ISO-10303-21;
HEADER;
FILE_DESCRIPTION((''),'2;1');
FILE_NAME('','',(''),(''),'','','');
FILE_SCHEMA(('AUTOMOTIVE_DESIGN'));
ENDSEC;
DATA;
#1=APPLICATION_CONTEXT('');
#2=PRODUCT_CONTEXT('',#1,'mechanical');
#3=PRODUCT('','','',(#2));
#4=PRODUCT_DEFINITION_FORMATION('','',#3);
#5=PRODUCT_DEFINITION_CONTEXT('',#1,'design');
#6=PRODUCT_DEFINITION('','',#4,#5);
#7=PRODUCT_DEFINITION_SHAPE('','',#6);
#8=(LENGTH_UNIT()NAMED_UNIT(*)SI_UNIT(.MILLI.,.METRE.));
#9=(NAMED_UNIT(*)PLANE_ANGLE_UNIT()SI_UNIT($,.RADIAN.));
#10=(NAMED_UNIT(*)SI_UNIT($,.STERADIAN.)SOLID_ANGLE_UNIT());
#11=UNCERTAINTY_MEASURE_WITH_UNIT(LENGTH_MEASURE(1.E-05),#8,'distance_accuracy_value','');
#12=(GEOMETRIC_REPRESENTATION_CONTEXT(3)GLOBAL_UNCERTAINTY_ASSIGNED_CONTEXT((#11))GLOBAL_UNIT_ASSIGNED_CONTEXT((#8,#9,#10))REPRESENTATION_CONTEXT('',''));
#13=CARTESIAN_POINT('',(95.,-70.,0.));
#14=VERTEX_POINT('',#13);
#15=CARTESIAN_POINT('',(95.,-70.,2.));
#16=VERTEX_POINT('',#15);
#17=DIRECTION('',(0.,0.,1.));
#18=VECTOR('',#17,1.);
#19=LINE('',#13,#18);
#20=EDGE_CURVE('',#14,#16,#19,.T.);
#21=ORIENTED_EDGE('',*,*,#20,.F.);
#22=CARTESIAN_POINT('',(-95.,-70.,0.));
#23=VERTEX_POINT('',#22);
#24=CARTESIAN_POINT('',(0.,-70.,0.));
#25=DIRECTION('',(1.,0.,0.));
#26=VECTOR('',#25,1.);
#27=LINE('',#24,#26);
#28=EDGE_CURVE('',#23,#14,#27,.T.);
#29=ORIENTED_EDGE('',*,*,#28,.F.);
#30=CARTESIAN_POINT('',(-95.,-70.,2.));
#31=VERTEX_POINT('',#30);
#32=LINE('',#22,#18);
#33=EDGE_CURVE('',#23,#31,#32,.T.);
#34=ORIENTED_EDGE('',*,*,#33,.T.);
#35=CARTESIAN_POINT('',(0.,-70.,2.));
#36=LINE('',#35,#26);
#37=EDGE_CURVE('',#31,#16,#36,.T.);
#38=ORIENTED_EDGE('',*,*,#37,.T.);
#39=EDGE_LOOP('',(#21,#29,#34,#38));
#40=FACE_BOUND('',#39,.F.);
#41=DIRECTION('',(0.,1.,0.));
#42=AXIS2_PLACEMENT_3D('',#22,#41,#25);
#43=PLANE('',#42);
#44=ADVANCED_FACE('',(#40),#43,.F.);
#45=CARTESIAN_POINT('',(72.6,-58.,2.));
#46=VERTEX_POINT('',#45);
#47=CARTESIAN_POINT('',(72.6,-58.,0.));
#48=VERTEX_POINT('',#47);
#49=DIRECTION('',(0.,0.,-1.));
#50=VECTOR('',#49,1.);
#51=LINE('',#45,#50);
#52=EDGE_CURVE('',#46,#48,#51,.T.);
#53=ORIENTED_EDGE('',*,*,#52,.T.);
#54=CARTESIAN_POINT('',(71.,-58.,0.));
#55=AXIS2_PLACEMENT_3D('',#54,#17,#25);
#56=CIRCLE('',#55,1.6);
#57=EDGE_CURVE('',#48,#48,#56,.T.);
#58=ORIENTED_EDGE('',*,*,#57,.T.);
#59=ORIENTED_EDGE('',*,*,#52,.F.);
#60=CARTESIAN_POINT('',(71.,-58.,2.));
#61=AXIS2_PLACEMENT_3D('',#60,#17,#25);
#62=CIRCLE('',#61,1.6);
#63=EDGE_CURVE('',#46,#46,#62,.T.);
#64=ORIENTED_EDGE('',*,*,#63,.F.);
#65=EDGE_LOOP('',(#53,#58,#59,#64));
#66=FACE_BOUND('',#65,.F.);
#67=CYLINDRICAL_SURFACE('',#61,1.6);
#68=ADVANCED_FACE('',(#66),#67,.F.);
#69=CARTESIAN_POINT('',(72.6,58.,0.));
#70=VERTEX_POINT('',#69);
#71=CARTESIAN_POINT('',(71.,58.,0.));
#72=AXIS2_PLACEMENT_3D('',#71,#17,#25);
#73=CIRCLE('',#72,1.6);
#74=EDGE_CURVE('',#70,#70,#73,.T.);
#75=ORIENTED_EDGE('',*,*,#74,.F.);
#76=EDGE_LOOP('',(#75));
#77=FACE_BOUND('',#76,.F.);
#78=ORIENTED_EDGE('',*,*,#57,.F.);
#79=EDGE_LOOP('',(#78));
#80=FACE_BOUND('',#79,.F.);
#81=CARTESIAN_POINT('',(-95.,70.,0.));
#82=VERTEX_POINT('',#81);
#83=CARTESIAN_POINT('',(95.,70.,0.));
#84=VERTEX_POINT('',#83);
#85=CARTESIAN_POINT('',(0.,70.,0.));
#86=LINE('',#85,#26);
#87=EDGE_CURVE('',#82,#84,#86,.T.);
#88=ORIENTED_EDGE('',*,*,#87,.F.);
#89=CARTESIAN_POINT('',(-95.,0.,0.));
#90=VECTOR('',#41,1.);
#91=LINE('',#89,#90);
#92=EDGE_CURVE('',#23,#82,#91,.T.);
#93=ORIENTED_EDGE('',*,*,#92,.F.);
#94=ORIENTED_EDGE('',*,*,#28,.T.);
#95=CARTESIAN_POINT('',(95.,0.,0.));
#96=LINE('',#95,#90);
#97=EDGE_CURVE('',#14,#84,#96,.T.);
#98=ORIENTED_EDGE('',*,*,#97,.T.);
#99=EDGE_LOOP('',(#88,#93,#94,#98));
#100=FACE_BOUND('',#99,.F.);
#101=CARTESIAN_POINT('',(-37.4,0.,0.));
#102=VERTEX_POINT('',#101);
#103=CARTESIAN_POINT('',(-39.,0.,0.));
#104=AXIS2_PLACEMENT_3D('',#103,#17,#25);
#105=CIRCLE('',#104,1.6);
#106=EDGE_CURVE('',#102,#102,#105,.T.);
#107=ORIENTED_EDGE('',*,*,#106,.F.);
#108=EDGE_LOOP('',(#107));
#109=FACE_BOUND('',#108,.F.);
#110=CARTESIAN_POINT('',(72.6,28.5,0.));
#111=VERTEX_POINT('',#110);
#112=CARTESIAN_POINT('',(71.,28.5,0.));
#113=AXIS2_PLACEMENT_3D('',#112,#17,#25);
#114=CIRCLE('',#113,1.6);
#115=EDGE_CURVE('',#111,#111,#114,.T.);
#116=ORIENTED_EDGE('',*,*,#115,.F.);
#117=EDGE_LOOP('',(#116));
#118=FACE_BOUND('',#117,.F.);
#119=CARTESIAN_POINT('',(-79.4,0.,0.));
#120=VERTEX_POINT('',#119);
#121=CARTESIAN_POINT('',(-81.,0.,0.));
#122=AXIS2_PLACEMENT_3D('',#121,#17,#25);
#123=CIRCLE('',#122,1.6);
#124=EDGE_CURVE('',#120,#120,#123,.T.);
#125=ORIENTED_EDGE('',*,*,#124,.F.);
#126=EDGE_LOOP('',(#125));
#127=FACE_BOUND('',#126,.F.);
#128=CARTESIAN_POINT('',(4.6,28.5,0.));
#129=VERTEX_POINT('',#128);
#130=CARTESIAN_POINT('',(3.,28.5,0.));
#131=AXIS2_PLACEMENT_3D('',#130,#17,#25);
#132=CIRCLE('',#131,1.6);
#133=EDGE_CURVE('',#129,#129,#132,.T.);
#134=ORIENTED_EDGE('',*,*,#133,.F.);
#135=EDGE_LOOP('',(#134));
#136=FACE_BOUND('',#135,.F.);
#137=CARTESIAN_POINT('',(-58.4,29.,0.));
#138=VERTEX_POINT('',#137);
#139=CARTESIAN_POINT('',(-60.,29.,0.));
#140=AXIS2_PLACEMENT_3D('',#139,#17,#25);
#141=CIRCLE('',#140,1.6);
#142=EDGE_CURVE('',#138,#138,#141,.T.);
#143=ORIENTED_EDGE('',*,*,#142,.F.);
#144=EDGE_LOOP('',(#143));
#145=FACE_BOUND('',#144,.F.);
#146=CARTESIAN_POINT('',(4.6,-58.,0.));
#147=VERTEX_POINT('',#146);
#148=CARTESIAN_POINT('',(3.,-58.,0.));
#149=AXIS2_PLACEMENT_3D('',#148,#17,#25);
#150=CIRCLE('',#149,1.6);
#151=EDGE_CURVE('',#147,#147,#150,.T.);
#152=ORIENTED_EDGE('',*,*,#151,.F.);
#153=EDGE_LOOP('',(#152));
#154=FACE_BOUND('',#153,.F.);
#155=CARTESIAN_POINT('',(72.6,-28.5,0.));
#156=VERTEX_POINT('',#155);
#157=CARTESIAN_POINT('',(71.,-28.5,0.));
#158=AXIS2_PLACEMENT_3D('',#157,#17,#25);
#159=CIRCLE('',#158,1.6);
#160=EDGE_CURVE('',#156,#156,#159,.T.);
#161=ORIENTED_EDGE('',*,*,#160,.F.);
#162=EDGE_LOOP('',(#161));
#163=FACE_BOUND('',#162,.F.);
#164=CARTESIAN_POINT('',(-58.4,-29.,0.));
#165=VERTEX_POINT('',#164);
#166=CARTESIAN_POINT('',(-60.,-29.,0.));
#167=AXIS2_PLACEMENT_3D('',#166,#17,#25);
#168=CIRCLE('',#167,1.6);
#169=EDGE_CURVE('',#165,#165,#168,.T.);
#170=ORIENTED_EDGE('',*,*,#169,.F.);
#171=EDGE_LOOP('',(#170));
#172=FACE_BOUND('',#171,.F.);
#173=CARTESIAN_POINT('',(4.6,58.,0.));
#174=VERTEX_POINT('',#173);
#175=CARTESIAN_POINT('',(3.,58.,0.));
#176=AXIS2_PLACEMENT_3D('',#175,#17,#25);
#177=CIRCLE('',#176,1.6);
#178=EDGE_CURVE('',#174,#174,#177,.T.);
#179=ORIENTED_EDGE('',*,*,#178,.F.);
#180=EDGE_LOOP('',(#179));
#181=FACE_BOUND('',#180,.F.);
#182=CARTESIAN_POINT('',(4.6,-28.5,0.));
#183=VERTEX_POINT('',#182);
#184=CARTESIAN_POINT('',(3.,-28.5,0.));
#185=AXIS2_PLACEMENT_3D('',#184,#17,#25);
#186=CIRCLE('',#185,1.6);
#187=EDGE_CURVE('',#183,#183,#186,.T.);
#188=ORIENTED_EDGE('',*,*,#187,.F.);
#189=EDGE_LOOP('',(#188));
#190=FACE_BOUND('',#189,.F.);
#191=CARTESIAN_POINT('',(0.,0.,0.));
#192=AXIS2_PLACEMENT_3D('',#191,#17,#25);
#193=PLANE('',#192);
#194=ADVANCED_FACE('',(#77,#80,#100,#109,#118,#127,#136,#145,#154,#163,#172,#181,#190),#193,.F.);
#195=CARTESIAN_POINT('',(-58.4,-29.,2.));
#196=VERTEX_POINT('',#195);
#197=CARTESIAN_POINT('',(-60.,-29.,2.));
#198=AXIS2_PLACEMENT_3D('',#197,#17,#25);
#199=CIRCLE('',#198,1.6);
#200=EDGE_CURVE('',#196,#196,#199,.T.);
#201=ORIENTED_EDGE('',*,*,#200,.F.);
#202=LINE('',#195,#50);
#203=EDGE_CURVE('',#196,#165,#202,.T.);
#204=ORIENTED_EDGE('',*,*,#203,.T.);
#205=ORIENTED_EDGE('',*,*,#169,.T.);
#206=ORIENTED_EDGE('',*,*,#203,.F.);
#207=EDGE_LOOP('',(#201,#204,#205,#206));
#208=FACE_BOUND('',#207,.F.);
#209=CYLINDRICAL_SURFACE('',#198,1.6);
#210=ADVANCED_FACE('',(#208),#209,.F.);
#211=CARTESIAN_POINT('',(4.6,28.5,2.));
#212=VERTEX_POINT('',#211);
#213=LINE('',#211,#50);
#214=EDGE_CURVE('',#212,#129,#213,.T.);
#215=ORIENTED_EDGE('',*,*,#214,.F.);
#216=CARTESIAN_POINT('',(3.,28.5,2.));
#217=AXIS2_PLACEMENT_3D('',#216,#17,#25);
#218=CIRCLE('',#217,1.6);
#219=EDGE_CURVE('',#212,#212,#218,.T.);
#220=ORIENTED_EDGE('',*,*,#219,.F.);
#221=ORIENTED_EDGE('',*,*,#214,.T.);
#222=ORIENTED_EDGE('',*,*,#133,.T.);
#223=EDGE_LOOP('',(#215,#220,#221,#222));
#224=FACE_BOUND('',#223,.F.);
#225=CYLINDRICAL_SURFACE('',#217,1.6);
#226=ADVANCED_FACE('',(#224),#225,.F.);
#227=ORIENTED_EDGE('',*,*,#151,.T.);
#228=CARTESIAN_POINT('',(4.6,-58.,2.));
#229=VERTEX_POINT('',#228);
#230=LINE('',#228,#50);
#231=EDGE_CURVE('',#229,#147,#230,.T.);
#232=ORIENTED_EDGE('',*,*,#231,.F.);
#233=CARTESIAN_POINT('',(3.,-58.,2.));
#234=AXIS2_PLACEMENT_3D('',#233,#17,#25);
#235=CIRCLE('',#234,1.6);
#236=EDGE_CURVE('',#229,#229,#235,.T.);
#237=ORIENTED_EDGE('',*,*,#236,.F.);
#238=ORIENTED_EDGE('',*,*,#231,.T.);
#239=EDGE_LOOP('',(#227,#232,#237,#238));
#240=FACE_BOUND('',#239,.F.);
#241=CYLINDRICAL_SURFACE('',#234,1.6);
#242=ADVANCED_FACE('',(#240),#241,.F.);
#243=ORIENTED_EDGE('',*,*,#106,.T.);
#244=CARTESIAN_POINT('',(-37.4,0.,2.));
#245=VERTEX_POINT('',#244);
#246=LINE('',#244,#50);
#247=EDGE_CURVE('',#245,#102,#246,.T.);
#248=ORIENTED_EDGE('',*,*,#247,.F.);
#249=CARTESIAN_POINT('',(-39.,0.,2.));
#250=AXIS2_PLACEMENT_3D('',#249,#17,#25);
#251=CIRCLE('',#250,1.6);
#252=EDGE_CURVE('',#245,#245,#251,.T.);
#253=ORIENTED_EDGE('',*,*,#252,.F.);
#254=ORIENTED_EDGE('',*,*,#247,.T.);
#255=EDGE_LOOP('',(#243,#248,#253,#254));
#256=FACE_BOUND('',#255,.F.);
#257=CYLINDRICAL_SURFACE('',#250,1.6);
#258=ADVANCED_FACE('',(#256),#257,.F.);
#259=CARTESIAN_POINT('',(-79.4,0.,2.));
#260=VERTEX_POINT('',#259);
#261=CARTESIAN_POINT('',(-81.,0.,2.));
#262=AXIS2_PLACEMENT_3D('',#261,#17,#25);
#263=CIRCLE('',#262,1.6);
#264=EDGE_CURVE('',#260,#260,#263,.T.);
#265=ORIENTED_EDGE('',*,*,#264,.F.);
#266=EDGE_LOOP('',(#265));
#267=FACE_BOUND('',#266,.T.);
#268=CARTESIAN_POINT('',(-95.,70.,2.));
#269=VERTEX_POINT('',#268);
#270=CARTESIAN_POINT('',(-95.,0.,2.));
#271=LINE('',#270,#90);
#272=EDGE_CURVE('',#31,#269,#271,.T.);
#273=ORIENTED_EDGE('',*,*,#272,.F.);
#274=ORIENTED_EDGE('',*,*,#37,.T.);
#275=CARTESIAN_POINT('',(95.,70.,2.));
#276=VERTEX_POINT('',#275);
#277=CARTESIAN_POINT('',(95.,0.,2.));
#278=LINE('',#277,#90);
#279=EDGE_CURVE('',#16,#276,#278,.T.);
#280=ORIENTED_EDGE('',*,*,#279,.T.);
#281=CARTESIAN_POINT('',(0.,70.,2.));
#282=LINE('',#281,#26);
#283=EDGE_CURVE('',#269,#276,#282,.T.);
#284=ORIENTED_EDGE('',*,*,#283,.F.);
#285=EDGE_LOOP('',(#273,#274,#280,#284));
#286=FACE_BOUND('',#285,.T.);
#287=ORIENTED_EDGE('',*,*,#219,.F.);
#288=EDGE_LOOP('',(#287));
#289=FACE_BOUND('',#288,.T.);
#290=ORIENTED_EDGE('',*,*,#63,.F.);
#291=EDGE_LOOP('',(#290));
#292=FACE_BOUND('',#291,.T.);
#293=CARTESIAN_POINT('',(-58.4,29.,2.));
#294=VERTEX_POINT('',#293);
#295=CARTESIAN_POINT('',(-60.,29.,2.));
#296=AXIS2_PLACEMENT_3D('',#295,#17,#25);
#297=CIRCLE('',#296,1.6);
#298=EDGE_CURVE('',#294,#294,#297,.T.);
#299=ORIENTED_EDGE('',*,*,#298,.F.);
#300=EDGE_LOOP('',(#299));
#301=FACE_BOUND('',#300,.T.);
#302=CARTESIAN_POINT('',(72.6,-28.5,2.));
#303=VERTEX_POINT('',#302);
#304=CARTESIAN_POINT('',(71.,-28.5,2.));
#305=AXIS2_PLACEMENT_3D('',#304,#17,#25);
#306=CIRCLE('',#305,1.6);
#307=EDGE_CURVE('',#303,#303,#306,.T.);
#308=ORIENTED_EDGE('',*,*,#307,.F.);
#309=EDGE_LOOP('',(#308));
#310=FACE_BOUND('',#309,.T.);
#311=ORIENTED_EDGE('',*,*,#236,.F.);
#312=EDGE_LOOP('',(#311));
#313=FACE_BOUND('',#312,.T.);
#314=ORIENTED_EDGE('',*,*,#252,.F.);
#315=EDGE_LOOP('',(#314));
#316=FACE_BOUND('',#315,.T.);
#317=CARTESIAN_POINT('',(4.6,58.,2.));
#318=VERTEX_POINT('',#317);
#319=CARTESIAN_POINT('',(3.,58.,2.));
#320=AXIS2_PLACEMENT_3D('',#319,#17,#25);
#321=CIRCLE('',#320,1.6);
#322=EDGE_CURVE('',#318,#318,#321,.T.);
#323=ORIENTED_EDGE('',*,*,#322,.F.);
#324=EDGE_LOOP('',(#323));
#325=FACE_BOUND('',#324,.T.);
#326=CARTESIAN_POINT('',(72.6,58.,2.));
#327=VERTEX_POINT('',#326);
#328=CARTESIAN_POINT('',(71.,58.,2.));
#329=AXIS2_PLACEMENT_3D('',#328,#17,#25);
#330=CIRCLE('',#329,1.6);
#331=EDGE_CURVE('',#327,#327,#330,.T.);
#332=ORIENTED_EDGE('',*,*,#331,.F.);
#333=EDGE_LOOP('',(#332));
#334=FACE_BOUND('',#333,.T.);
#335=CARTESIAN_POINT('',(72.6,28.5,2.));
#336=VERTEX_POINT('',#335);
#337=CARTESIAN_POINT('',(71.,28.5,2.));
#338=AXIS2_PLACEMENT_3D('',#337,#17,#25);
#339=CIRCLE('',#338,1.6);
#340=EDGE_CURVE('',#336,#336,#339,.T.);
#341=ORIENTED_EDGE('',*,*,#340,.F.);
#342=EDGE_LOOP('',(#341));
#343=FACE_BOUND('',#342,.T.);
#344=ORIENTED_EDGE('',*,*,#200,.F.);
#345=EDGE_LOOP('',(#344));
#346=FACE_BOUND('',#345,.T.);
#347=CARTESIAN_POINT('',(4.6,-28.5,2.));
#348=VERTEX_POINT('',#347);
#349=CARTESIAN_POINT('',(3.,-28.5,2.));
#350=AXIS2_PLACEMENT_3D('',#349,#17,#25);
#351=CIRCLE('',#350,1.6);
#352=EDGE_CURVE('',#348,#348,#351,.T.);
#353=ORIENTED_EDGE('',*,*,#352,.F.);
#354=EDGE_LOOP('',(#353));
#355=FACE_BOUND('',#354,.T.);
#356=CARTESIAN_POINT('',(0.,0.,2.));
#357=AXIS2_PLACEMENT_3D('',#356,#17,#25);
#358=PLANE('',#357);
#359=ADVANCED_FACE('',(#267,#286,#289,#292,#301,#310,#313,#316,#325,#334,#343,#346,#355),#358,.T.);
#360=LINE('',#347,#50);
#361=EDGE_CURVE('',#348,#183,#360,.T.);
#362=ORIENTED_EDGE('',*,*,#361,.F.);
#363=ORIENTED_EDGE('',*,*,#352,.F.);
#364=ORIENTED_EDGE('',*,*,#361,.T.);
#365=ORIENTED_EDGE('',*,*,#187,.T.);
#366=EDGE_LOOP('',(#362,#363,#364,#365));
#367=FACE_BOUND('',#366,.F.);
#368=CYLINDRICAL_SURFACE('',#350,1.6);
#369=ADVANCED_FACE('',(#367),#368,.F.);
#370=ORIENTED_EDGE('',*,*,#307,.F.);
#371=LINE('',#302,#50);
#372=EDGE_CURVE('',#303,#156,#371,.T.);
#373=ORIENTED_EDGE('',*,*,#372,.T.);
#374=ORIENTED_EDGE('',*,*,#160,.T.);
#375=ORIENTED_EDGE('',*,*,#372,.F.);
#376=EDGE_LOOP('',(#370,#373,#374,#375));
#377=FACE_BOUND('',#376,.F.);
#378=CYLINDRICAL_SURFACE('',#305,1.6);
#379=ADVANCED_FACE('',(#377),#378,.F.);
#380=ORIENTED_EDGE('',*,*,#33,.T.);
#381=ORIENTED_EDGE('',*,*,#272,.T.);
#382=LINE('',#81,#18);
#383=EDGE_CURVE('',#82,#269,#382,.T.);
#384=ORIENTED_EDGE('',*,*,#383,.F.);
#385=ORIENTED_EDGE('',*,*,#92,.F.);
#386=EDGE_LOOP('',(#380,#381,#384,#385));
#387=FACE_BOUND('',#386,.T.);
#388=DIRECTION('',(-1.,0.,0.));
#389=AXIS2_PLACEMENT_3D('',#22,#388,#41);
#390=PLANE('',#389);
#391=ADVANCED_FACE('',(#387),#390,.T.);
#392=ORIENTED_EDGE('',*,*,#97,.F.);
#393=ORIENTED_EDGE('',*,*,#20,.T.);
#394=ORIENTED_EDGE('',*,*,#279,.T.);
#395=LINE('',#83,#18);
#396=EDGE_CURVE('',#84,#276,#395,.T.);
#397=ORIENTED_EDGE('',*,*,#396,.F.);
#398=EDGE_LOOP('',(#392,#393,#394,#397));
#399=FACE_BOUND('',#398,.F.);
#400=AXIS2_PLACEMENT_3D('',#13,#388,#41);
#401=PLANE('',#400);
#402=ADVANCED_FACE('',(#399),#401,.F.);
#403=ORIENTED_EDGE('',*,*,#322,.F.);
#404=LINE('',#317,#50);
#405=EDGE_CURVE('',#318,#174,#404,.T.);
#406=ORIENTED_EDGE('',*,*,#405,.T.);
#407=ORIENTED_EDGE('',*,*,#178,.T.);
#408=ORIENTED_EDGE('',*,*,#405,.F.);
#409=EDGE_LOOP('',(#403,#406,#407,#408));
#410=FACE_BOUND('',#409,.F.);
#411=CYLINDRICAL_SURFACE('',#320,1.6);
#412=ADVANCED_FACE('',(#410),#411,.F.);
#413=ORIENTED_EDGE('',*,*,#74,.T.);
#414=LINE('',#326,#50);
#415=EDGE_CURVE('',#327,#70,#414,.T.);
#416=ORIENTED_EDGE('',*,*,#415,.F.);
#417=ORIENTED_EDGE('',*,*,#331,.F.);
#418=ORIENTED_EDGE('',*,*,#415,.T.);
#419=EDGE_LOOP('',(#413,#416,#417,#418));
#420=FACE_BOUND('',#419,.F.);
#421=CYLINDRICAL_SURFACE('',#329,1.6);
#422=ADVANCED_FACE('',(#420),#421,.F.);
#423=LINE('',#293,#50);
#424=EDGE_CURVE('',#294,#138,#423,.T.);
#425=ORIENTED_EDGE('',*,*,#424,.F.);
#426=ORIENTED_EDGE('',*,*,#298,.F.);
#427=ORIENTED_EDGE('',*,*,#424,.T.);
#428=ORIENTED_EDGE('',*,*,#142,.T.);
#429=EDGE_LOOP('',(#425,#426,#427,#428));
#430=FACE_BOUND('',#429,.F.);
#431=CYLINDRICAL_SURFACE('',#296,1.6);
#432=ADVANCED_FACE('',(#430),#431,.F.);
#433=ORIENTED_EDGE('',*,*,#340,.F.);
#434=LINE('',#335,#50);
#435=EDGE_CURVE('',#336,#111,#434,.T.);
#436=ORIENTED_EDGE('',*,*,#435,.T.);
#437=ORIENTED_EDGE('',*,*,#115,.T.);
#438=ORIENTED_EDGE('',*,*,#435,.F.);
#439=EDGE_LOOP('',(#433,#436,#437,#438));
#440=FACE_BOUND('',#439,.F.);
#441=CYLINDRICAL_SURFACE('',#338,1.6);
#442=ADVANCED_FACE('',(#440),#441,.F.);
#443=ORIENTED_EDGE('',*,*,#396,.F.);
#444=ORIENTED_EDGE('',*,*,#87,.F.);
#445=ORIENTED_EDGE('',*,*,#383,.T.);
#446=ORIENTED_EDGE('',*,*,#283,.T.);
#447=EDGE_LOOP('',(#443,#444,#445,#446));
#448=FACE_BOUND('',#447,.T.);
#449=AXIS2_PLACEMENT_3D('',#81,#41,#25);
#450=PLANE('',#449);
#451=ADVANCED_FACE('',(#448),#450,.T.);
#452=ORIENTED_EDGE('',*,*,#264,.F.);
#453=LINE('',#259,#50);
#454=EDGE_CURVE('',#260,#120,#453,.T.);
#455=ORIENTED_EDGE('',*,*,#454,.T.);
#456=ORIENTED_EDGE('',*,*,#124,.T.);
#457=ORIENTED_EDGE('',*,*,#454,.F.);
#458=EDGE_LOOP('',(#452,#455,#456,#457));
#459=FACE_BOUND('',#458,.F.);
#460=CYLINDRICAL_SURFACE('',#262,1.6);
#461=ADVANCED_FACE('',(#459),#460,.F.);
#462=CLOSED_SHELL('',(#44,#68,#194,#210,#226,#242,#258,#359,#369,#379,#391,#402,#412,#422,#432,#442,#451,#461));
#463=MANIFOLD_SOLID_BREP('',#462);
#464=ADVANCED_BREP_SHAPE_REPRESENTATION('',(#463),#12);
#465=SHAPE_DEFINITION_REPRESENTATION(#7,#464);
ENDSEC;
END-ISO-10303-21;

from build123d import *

# Parameters (mm, degrees)
F0_W     = 190
F0_H     = 140
F1_DEPTH = 2
F2_R     = 1.6
F3_DEPTH = 25


with BuildPart() as f1:
    # F0 (on Top) → F1 (new body)
    with BuildSketch(Plane.XY):
        Rectangle(F0_W, F0_H)
    extrude(amount=F1_DEPTH)

    # F2 (on face) → F3 (cut)
    with BuildSketch(Plane.XY.offset(2)):
        with Locations((71, 58)):
            Circle(F2_R)
        with Locations((71, 28.5)):
            Circle(F2_R)
        with Locations((3, 58)):
            Circle(F2_R)
        with Locations((3, 28.5)):
            Circle(F2_R)
        with Locations((71, -28.5)):
            Circle(F2_R)
        with Locations((3, -28.5)):
            Circle(F2_R)
        with Locations((3, -58)):
            Circle(F2_R)
        with Locations((71, -58)):
            Circle(F2_R)
        with Locations((-81, 0)):
            Circle(F2_R)
        with Locations((-39, 0)):
            Circle(F2_R)
        with Locations((-60, 29)):
            Circle(F2_R)
        with Locations((-60, -29)):
            Circle(F2_R)
    extrude(amount=-F3_DEPTH, mode=Mode.SUBTRACT)


solid = f1.part
